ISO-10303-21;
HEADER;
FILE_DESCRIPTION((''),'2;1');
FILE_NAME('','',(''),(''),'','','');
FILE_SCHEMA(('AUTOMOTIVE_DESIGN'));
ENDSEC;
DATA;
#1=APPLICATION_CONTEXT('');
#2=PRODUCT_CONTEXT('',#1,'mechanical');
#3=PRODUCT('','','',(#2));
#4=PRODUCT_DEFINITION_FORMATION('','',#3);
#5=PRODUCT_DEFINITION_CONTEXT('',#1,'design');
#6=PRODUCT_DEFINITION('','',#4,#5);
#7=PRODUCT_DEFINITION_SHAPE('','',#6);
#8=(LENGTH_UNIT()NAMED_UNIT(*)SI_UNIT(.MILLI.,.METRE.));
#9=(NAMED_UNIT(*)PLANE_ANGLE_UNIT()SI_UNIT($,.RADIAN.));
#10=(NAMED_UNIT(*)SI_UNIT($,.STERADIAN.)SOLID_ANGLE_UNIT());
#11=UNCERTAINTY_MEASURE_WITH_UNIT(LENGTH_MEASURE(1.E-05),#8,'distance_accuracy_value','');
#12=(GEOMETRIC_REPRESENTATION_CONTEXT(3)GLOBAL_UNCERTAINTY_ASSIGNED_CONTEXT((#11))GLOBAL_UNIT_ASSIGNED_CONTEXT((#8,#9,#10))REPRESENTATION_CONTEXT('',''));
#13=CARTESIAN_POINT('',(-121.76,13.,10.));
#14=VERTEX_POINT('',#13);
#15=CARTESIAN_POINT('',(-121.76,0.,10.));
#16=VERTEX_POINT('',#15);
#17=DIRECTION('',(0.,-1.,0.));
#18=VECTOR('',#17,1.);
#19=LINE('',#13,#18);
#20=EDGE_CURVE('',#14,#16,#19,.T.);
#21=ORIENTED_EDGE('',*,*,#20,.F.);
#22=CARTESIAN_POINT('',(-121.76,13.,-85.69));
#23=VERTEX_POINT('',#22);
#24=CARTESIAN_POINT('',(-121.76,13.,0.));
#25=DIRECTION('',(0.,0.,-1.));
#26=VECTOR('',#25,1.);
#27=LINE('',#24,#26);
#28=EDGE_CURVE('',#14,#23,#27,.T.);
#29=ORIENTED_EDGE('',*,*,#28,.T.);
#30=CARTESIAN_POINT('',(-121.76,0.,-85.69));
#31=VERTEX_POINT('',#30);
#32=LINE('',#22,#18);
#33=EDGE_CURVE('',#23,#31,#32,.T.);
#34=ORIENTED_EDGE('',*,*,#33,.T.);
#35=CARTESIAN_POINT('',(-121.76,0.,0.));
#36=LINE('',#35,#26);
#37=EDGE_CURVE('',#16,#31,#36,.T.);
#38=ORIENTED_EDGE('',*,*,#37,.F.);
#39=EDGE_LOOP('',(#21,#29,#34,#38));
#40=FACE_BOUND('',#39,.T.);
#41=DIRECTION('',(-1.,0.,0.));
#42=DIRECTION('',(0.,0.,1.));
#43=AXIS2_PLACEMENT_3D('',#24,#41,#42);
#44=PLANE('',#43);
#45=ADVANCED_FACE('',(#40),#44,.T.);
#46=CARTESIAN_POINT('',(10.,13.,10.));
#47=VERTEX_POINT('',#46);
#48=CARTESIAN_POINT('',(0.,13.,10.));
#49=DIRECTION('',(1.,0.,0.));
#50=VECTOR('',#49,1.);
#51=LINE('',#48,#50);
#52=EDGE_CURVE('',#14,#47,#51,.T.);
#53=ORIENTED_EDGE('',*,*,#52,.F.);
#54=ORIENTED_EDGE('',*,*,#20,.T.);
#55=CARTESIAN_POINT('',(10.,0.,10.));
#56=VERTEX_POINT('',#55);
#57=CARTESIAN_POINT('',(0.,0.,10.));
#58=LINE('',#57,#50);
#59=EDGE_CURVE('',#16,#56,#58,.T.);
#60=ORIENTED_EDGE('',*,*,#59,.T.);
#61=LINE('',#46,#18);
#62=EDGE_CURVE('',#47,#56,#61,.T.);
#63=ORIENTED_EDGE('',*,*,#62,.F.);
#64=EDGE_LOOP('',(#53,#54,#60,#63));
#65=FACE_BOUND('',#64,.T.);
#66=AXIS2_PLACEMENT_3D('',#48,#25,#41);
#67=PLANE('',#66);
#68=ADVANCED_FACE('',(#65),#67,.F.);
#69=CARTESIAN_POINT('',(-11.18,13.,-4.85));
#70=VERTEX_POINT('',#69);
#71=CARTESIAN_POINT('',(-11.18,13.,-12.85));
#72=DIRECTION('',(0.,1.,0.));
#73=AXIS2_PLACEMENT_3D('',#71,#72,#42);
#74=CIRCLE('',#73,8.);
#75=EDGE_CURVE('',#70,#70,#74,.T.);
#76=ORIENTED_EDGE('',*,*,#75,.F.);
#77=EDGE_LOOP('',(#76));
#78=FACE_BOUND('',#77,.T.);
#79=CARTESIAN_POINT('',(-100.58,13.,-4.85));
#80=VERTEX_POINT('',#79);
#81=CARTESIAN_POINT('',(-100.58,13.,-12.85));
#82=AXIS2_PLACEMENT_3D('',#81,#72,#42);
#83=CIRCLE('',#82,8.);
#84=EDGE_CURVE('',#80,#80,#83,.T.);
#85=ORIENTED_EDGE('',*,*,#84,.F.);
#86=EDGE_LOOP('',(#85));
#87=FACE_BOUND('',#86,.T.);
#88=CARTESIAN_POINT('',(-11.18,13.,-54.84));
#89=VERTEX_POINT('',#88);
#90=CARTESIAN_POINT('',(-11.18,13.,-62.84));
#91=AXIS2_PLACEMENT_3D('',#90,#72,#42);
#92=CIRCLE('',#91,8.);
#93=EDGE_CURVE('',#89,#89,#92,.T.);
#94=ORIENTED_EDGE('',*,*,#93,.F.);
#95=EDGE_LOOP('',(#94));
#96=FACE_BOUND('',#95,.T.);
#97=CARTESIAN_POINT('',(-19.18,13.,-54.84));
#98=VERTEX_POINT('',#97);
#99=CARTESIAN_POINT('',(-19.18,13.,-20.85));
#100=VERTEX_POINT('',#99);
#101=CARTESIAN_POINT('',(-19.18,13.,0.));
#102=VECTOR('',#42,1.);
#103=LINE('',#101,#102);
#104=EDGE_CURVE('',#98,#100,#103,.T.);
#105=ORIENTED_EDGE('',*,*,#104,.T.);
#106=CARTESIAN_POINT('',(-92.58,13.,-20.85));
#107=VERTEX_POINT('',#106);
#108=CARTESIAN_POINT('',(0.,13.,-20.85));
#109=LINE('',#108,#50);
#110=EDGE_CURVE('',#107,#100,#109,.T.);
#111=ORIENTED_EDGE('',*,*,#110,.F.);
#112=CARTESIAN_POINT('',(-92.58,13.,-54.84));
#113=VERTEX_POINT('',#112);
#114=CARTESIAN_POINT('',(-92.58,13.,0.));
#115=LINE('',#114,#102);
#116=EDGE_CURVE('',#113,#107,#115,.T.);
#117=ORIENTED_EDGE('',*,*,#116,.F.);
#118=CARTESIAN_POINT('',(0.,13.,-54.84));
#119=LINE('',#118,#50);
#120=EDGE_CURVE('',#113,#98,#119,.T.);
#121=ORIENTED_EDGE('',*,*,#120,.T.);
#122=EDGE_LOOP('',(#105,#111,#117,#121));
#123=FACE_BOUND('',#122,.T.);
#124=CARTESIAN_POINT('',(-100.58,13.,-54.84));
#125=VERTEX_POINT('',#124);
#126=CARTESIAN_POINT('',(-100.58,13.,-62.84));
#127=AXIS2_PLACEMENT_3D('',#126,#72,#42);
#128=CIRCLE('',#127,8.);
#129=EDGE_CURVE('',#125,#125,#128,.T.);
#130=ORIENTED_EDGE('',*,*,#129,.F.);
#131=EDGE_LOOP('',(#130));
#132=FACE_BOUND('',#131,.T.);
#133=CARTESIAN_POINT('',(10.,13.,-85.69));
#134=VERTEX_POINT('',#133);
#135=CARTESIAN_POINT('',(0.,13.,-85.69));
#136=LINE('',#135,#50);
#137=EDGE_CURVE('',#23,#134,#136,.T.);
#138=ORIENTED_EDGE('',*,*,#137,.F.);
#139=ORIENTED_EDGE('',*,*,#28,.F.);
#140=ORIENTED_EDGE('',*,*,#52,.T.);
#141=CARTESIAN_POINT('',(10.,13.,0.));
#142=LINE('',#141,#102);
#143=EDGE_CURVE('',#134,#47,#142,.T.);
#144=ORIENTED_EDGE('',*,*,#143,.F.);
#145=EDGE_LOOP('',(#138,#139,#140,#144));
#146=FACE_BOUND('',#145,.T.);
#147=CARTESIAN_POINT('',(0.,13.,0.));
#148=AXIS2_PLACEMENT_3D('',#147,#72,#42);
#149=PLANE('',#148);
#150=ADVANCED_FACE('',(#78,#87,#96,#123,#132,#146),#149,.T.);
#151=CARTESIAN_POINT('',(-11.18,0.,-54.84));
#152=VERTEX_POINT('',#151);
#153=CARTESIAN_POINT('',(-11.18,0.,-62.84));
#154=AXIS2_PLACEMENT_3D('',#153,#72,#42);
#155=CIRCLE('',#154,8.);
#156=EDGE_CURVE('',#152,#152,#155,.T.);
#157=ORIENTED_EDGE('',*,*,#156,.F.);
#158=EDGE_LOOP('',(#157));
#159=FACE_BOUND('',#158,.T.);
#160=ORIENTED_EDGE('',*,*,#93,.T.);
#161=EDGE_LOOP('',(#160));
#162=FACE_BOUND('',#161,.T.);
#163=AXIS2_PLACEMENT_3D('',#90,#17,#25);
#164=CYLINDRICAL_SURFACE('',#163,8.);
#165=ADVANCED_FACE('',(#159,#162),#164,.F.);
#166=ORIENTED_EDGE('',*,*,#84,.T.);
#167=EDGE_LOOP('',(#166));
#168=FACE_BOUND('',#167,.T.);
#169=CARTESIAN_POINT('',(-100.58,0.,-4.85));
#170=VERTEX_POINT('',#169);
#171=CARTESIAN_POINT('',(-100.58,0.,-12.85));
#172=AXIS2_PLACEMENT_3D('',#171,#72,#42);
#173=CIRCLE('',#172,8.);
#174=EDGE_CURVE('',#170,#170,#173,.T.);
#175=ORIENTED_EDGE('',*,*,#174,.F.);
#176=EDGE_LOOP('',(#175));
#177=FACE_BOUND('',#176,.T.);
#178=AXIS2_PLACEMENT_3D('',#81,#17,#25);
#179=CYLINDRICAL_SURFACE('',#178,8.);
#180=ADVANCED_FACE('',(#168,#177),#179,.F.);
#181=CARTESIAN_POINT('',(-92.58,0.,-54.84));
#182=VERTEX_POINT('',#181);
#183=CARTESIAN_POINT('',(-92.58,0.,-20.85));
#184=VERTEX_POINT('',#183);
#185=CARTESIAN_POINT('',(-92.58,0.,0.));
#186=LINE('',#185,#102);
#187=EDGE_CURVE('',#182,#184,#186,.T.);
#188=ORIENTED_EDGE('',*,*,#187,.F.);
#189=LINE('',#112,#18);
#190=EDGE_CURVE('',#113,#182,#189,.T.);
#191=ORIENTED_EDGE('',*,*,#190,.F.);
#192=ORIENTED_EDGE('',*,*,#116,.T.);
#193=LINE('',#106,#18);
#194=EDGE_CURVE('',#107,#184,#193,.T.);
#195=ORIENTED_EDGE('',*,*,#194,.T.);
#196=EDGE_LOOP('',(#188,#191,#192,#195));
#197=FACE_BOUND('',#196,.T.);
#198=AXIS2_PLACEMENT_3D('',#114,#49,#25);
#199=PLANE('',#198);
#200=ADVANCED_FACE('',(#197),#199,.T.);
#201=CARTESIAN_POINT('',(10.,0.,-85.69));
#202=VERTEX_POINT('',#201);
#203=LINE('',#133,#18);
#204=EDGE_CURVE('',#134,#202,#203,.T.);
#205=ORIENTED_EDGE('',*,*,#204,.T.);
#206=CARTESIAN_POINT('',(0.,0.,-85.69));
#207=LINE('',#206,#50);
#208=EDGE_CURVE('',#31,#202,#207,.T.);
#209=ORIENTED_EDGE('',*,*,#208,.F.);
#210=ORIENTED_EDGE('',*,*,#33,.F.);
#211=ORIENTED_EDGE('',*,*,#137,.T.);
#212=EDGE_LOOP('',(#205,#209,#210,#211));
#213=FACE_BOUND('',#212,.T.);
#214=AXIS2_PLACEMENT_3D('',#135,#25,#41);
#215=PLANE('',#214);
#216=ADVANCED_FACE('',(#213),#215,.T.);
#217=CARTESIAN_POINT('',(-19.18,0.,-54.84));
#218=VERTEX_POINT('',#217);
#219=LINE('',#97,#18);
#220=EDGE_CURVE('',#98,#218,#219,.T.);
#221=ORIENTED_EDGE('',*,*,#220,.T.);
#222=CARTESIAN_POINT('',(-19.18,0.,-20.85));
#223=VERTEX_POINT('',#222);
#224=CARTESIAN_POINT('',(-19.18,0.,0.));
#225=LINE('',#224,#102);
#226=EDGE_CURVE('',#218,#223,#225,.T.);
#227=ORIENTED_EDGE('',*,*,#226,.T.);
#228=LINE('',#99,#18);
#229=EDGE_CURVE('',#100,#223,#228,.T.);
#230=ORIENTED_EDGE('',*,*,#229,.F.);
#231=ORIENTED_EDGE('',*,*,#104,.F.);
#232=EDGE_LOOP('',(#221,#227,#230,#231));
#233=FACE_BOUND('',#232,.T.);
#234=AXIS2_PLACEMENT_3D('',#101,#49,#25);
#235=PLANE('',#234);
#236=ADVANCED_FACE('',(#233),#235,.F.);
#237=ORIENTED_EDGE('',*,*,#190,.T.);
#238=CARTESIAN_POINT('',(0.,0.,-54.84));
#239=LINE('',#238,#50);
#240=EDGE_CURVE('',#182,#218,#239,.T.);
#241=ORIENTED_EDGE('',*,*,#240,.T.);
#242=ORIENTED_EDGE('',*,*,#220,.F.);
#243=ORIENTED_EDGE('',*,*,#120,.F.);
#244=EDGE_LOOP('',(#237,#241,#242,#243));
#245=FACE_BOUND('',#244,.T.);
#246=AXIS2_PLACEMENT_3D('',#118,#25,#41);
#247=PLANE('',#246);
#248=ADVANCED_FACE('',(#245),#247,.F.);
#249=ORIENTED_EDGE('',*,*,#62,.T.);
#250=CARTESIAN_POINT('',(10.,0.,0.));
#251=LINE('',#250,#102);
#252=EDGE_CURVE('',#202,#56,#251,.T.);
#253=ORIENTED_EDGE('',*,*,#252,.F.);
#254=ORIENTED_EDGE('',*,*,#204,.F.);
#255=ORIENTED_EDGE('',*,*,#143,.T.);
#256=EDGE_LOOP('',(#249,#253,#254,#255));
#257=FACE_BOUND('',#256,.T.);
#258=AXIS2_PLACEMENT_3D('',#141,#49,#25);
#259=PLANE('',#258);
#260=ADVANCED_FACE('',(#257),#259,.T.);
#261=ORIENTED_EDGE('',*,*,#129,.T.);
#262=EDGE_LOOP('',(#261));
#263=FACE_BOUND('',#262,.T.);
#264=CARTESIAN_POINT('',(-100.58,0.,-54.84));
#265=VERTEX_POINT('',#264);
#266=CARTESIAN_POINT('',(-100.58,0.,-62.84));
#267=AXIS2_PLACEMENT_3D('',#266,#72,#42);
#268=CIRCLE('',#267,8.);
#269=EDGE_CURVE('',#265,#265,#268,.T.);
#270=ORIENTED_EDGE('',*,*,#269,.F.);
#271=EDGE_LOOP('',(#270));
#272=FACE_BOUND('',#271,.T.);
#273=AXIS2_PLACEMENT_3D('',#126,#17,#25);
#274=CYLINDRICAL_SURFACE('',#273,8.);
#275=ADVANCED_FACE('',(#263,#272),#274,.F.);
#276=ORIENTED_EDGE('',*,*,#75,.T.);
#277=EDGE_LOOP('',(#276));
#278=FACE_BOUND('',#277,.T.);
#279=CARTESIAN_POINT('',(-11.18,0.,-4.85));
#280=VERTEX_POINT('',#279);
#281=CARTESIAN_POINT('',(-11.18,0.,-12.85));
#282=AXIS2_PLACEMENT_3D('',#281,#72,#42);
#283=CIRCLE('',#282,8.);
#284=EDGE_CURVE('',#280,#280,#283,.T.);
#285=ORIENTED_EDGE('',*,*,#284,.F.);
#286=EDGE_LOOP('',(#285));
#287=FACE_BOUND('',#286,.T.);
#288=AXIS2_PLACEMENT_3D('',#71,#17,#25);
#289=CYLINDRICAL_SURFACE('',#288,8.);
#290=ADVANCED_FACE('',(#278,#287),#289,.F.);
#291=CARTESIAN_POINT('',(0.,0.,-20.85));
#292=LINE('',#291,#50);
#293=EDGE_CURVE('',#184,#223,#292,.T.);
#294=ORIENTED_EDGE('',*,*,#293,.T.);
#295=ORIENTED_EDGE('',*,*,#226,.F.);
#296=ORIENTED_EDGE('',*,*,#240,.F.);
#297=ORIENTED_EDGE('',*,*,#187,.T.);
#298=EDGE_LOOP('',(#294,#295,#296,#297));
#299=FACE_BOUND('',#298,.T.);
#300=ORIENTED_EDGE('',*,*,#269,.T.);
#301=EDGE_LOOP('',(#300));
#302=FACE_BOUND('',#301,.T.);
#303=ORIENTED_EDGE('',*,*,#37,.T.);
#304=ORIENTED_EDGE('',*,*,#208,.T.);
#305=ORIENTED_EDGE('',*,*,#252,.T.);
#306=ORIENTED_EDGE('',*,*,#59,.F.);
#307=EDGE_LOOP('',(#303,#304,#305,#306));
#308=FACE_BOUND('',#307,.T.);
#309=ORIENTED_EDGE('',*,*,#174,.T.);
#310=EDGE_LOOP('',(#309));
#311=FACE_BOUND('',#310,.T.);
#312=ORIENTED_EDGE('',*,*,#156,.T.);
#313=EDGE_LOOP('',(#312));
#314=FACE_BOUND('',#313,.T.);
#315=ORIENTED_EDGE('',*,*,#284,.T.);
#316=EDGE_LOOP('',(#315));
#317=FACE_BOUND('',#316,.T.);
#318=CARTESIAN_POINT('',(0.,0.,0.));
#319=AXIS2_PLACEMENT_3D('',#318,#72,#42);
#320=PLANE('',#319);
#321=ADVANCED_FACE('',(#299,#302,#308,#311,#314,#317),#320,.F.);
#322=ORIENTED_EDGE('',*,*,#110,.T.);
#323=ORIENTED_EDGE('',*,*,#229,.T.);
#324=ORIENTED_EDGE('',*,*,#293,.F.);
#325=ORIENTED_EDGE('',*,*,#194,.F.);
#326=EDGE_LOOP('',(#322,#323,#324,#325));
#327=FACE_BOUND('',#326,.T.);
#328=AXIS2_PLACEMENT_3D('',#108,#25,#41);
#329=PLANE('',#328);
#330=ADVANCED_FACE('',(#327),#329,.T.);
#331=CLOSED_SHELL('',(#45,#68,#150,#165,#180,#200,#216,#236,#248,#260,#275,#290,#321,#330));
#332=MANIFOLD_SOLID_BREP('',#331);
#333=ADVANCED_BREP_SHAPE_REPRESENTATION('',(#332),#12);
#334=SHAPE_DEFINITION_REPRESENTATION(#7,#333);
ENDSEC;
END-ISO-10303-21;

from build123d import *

# Parameters (mm, degrees)
SKETCH3_R           = 8
SKETCH3_W           = 73.4
SKETCH3_H           = 33.99
BOSS_EXTRUDE1_DEPTH = 13


with BuildPart() as part:
    # Sketch3 → Boss-Extrude1 (new body)
    with BuildSketch(Plane(origin=(0, 0, 0), x_dir=(1, 0, 0), z_dir=(0, 1, 0))):
        Polygon((-121.76, 12.85), (-121.76, -10), (-108.58, -10), (-11.18, -10), (-3.18, -10), (10, -10), (10, 62.84), (10, 85.69), (-3.18, 85.69), (-11.18, 85.69), (-108.58, 85.69), (-121.76, 85.69), (-121.76, 62.84), align=None)
        with Locations((-100.58, 12.85)):
            Circle(SKETCH3_R, mode=Mode.SUBTRACT)
        with BuildLine():
            Line((-19.18, 12.85), (-19.18, 20.85))
            Line((-19.18, 20.85), (-11.18, 20.85))
            ThreePointArc((-11.18, 20.85), (-5.523145751, 18.506854249), (-3.18, 12.85))
            ThreePointArc((-3.18, 12.85), (-11.18, 4.85), (-19.18, 12.85))
        make_face(mode=Mode.SUBTRACT)
        with BuildLine():
            Line((-92.58, 54.84), (-100.58, 54.84))
            ThreePointArc((-100.58, 54.84), (-106.236854249, 68.496854249), (-92.58, 62.84))
            Line((-92.58, 62.84), (-92.58, 54.84))
        make_face(mode=Mode.SUBTRACT)
        with Locations((-55.88, 37.845)):
            Rectangle(SKETCH3_W, SKETCH3_H, mode=Mode.SUBTRACT)
        with Locations((-11.18, 62.84)):
            Circle(SKETCH3_R, mode=Mode.SUBTRACT)
        with BuildLine():
            ThreePointArc((-92.58, 62.84), (-94.923145751, 57.183145751), (-100.58, 54.84))
            Line((-100.58, 54.84), (-92.58, 54.84))
            Line((-92.58, 54.84), (-92.58, 62.84))
        make_face()
        with BuildLine():
            Line((-11.18, 20.85), (-19.18, 20.85))
            Line((-19.18, 20.85), (-19.18, 12.85))
            ThreePointArc((-19.18, 12.85), (-16.836854249, 18.506854249), (-11.18, 20.85))
        make_face()
    extrude(amount=BOSS_EXTRUDE1_DEPTH)


solid = part.part
